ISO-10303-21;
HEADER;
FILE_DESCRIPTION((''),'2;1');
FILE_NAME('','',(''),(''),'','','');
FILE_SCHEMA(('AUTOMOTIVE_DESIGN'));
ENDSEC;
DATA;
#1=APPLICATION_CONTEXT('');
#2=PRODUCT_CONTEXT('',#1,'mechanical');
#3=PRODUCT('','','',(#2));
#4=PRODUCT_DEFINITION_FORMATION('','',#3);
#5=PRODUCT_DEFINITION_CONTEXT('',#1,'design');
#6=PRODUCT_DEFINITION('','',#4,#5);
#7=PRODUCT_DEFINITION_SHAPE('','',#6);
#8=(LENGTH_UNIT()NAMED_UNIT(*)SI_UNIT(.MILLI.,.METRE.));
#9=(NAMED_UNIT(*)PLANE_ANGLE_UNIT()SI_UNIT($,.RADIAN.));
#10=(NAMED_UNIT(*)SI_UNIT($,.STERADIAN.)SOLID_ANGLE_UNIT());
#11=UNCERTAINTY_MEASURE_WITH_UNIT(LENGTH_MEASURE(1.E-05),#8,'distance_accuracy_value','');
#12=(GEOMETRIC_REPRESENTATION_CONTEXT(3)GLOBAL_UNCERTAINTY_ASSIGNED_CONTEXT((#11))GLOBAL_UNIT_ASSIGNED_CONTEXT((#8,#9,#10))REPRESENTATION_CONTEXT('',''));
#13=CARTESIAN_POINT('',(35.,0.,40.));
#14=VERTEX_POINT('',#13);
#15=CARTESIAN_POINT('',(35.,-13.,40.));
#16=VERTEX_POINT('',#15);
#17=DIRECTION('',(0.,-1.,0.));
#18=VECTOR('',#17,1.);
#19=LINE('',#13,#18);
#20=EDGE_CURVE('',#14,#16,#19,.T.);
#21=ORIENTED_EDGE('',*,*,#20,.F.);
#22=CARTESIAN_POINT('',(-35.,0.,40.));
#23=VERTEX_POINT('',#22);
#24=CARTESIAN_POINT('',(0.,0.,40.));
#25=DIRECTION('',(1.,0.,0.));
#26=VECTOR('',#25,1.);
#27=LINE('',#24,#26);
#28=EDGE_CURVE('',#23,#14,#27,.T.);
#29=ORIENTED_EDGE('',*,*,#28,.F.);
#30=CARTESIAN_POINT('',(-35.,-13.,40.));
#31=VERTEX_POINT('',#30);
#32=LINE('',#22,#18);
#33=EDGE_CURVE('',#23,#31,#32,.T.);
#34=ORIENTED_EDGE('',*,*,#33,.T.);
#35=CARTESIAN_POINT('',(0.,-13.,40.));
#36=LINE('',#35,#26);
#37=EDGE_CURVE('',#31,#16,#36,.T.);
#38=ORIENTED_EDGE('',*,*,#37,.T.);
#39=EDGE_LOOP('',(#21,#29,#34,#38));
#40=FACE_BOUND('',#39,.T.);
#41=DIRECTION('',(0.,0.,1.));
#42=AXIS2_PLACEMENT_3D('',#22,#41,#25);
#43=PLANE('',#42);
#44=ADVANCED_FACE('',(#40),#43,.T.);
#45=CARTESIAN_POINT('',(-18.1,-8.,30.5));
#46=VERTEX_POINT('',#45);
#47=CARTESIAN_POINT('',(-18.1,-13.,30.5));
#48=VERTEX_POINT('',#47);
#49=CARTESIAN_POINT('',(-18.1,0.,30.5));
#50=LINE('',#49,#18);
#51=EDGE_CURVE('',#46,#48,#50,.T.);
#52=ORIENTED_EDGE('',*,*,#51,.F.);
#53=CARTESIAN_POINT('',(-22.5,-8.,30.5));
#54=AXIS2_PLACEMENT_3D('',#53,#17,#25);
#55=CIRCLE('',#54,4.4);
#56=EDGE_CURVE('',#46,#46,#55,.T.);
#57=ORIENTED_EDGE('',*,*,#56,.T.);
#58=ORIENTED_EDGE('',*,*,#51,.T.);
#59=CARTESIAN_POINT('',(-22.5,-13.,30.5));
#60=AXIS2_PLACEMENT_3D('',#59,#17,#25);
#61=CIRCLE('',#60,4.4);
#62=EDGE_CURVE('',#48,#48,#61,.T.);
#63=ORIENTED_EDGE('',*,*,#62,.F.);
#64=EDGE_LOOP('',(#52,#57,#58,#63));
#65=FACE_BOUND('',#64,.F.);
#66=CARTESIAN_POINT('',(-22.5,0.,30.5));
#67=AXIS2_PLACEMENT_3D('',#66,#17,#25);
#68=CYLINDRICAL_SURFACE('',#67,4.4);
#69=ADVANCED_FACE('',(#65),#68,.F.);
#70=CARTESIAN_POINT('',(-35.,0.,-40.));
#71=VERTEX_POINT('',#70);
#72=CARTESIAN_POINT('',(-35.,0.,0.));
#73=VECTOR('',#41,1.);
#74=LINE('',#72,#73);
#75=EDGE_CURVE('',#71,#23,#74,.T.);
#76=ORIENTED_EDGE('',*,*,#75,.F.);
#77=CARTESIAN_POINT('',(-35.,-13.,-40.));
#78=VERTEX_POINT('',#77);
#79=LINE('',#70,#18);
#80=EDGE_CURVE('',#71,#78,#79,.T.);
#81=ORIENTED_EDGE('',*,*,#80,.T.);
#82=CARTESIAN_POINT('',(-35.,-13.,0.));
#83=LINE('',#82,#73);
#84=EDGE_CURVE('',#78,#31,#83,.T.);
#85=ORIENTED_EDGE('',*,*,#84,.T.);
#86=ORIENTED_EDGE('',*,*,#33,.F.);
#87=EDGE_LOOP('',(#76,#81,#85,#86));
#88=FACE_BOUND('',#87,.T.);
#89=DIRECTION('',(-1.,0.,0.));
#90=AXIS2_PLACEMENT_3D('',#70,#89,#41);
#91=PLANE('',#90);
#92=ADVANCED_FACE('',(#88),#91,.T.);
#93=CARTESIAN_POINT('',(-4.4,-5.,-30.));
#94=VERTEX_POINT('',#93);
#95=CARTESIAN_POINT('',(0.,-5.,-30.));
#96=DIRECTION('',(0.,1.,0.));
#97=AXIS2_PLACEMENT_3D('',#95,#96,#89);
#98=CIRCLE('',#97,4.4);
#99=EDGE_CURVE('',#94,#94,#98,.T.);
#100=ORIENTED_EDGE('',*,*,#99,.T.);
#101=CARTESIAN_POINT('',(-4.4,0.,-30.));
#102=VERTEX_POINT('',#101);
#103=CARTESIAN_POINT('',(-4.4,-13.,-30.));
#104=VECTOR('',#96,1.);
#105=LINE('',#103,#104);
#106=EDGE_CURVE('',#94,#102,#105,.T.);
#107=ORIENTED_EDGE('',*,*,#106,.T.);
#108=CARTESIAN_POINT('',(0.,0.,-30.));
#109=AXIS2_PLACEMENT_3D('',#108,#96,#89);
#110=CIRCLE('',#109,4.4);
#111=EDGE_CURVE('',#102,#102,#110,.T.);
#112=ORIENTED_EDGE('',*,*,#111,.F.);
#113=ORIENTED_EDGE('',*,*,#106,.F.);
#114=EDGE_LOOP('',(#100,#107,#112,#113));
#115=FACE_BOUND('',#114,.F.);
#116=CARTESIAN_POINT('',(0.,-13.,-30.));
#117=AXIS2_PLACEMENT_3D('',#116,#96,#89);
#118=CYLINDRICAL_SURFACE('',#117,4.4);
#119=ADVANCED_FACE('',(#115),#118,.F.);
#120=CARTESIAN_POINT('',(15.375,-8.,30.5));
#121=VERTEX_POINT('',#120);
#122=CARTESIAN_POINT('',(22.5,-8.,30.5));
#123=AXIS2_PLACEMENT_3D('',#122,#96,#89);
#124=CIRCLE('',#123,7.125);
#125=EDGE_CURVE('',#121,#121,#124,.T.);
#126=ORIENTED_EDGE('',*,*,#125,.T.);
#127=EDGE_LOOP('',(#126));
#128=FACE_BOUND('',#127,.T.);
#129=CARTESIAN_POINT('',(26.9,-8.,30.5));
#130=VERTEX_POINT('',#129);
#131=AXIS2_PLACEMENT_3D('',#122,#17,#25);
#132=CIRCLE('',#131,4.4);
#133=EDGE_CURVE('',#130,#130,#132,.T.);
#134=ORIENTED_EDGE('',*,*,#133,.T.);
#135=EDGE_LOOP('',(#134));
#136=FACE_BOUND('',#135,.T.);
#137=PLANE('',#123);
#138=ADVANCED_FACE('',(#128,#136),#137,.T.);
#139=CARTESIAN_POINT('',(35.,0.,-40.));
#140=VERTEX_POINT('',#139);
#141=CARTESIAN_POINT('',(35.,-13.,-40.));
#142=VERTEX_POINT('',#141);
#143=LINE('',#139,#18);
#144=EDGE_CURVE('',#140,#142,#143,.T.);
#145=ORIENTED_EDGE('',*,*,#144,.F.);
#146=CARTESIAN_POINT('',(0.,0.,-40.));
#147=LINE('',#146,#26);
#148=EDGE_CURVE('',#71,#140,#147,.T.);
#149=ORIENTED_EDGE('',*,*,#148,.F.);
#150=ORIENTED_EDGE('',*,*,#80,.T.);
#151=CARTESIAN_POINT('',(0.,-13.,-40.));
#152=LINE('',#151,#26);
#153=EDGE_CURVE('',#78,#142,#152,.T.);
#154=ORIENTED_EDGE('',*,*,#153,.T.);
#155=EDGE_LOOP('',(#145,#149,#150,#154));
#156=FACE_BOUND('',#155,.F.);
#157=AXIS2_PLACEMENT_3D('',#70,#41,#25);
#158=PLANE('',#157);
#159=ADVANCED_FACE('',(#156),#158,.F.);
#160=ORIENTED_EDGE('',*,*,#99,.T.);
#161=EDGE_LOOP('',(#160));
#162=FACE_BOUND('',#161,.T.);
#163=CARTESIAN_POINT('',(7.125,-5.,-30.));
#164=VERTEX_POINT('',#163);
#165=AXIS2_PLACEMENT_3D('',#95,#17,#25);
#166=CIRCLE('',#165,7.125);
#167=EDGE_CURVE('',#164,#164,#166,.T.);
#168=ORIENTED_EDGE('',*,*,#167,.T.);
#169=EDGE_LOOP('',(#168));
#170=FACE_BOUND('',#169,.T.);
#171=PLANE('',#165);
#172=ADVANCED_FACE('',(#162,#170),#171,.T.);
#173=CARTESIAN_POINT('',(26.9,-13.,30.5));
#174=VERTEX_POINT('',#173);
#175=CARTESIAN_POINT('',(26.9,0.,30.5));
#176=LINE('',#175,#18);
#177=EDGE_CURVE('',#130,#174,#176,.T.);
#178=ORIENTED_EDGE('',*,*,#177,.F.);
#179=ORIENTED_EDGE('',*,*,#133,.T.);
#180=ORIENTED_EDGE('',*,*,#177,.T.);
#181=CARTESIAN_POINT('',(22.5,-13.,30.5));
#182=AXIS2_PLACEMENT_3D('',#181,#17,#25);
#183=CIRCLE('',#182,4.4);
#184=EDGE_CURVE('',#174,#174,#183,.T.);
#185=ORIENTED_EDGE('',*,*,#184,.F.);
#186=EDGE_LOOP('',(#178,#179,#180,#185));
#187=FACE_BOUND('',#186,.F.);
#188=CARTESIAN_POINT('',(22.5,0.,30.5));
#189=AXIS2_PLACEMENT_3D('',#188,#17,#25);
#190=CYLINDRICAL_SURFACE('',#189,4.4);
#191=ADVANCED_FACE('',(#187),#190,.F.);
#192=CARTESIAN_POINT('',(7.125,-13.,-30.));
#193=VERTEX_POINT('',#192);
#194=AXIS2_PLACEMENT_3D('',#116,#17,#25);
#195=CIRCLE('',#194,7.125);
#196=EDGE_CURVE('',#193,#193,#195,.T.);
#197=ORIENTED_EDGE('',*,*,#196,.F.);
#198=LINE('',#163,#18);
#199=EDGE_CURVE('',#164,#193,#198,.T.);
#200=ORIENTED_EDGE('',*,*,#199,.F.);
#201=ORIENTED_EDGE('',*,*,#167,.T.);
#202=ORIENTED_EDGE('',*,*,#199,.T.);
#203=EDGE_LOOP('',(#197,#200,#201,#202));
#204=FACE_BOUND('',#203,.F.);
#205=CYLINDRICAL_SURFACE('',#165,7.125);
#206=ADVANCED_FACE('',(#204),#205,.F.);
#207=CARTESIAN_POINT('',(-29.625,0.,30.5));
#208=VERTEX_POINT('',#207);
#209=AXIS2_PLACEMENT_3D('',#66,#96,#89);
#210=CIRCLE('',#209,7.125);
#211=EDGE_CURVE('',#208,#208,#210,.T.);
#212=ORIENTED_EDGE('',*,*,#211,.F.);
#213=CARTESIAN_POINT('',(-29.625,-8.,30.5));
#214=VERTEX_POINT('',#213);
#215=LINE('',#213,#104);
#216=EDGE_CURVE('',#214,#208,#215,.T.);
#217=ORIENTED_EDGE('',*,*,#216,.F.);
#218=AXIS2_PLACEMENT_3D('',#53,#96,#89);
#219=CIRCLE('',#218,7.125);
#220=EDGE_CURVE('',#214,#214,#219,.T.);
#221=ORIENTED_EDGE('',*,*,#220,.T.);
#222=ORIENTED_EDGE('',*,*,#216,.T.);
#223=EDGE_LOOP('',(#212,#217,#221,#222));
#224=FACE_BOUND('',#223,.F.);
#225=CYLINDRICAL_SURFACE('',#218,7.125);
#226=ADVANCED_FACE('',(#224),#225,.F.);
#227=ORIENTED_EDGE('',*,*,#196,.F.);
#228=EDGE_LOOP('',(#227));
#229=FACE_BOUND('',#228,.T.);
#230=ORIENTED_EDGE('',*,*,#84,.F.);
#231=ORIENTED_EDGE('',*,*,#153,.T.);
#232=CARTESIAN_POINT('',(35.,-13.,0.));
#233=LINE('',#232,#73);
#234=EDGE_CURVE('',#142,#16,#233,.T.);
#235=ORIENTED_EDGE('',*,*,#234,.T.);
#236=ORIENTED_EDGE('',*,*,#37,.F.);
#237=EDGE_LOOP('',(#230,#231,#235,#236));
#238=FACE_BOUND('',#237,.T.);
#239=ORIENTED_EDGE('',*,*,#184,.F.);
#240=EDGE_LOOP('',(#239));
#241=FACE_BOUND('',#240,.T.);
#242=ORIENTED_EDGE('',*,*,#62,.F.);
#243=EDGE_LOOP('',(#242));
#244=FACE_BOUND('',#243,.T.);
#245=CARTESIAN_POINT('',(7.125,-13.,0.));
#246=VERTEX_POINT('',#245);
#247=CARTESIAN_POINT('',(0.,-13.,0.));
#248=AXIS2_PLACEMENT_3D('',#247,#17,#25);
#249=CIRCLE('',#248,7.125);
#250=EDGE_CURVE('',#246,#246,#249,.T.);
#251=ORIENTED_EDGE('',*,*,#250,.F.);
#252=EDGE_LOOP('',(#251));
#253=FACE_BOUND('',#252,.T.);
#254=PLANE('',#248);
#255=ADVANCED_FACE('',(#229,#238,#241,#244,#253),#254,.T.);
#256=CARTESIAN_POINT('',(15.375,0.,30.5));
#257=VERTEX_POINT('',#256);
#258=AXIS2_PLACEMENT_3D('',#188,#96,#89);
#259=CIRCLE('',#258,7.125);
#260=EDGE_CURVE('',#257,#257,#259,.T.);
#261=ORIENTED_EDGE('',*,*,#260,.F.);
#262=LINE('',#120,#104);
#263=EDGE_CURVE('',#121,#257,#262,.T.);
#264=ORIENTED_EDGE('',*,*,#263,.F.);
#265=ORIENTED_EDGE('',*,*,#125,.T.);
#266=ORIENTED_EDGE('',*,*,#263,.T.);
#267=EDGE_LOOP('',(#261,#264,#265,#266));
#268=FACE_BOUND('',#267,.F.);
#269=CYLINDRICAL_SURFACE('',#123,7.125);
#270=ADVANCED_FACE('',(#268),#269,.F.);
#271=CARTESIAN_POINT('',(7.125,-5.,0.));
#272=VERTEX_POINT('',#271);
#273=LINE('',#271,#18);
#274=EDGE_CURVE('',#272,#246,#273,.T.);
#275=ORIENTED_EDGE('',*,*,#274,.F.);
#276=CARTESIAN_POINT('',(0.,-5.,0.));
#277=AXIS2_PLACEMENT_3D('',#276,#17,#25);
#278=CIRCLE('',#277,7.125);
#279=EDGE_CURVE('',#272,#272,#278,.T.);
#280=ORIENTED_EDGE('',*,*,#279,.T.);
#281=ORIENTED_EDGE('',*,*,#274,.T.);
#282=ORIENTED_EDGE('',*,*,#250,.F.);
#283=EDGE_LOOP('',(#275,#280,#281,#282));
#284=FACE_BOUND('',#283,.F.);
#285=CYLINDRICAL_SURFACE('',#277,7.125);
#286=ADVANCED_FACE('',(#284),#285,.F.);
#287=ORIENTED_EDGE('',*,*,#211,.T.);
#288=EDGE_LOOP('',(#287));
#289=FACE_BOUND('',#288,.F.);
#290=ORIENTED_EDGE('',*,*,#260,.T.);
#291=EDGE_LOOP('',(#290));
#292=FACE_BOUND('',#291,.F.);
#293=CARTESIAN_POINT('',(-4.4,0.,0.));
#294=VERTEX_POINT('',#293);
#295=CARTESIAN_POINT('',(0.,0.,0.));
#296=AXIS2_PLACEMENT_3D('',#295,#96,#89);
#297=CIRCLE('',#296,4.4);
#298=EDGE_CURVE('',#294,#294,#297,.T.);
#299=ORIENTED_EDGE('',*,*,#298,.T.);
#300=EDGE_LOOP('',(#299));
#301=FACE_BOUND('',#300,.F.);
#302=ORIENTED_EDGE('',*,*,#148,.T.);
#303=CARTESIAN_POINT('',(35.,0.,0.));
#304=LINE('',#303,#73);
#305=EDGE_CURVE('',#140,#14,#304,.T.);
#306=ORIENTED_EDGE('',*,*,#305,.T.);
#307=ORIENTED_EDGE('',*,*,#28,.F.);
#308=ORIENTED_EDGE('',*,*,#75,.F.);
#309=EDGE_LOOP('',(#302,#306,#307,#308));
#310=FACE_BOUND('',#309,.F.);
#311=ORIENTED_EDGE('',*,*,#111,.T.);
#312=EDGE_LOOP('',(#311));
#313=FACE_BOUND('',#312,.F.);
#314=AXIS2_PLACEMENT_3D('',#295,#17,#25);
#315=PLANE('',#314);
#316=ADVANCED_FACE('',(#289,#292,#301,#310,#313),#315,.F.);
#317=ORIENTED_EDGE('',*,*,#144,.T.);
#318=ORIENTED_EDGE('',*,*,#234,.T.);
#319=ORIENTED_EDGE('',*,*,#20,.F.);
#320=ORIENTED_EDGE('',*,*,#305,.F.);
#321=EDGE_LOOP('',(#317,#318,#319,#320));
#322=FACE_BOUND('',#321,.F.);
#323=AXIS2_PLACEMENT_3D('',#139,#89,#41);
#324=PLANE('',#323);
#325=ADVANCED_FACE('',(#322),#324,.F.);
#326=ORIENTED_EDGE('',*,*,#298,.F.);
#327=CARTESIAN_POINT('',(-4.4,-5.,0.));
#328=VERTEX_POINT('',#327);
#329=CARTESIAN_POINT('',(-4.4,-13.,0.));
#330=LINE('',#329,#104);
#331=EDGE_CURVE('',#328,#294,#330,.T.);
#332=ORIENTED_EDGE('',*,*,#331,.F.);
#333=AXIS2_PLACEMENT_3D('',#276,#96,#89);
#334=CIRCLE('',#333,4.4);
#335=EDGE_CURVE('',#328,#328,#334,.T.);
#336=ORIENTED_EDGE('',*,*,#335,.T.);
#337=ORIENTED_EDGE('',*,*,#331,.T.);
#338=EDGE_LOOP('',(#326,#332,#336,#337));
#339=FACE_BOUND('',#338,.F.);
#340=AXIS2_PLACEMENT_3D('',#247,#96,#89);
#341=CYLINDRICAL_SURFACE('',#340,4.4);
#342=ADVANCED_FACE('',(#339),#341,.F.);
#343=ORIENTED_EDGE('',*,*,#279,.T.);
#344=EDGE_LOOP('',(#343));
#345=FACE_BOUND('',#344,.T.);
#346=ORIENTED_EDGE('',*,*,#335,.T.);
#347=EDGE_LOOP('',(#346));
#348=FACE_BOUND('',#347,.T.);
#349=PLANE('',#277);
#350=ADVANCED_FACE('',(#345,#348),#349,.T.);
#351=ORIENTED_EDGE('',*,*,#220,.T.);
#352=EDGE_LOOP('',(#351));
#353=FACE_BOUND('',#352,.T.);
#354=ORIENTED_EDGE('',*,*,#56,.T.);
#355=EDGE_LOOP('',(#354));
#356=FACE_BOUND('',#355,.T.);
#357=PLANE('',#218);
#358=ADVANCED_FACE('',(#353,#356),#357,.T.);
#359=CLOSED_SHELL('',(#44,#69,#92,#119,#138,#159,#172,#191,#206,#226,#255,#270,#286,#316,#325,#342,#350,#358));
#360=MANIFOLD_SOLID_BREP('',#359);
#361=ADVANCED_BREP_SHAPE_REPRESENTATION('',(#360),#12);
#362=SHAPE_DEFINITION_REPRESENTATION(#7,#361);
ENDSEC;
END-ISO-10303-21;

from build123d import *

# Parameters (mm, degrees)
F0_W           = 70
F0_H           = 80
F1_DEPTH       = 13
F4_D           = 8.8
F4_DEPTH       = 22.75
F4_CBORE_D     = 14.25
F4_CBORE_DEPTH = 8
F4_TIP         = 2.6437867237
F5_D           = 8.8
F5_DEPTH       = 22.75
F5_CBORE_D     = 14.25
F5_CBORE_DEPTH = 8
F5_TIP         = 2.6437867237


with BuildPart() as f1:
    # F0 (on Front) → F1 (new body)
    with BuildSketch(Plane.XZ):
        Rectangle(F0_W, F0_H)
    extrude(amount=F1_DEPTH)

    # F4
    with Locations(Plane(origin=(0, 0, 0), x_dir=(-1, 0, 0), z_dir=(0, 1, 0))):
        with Locations((-22.5, 30.5), (22.5, 30.5)):
            CounterBoreHole(F4_D / 2, F4_CBORE_D / 2, F4_CBORE_DEPTH, depth=F4_DEPTH)
            with Locations((0, 0, -(F4_DEPTH + F4_TIP / 2))):  # 118° drill point
                Cone(0, F4_D / 2, F4_TIP, mode=Mode.SUBTRACT)

    # F5
    with Locations(Plane.XZ.offset(13)):
        with Locations((0, 0), (0, -30)):
            CounterBoreHole(F5_D / 2, F5_CBORE_D / 2, F5_CBORE_DEPTH, depth=F5_DEPTH)
            with Locations((0, 0, -(F5_DEPTH + F5_TIP / 2))):  # 118° drill point
                Cone(0, F5_D / 2, F5_TIP, mode=Mode.SUBTRACT)


solid = f1.part
